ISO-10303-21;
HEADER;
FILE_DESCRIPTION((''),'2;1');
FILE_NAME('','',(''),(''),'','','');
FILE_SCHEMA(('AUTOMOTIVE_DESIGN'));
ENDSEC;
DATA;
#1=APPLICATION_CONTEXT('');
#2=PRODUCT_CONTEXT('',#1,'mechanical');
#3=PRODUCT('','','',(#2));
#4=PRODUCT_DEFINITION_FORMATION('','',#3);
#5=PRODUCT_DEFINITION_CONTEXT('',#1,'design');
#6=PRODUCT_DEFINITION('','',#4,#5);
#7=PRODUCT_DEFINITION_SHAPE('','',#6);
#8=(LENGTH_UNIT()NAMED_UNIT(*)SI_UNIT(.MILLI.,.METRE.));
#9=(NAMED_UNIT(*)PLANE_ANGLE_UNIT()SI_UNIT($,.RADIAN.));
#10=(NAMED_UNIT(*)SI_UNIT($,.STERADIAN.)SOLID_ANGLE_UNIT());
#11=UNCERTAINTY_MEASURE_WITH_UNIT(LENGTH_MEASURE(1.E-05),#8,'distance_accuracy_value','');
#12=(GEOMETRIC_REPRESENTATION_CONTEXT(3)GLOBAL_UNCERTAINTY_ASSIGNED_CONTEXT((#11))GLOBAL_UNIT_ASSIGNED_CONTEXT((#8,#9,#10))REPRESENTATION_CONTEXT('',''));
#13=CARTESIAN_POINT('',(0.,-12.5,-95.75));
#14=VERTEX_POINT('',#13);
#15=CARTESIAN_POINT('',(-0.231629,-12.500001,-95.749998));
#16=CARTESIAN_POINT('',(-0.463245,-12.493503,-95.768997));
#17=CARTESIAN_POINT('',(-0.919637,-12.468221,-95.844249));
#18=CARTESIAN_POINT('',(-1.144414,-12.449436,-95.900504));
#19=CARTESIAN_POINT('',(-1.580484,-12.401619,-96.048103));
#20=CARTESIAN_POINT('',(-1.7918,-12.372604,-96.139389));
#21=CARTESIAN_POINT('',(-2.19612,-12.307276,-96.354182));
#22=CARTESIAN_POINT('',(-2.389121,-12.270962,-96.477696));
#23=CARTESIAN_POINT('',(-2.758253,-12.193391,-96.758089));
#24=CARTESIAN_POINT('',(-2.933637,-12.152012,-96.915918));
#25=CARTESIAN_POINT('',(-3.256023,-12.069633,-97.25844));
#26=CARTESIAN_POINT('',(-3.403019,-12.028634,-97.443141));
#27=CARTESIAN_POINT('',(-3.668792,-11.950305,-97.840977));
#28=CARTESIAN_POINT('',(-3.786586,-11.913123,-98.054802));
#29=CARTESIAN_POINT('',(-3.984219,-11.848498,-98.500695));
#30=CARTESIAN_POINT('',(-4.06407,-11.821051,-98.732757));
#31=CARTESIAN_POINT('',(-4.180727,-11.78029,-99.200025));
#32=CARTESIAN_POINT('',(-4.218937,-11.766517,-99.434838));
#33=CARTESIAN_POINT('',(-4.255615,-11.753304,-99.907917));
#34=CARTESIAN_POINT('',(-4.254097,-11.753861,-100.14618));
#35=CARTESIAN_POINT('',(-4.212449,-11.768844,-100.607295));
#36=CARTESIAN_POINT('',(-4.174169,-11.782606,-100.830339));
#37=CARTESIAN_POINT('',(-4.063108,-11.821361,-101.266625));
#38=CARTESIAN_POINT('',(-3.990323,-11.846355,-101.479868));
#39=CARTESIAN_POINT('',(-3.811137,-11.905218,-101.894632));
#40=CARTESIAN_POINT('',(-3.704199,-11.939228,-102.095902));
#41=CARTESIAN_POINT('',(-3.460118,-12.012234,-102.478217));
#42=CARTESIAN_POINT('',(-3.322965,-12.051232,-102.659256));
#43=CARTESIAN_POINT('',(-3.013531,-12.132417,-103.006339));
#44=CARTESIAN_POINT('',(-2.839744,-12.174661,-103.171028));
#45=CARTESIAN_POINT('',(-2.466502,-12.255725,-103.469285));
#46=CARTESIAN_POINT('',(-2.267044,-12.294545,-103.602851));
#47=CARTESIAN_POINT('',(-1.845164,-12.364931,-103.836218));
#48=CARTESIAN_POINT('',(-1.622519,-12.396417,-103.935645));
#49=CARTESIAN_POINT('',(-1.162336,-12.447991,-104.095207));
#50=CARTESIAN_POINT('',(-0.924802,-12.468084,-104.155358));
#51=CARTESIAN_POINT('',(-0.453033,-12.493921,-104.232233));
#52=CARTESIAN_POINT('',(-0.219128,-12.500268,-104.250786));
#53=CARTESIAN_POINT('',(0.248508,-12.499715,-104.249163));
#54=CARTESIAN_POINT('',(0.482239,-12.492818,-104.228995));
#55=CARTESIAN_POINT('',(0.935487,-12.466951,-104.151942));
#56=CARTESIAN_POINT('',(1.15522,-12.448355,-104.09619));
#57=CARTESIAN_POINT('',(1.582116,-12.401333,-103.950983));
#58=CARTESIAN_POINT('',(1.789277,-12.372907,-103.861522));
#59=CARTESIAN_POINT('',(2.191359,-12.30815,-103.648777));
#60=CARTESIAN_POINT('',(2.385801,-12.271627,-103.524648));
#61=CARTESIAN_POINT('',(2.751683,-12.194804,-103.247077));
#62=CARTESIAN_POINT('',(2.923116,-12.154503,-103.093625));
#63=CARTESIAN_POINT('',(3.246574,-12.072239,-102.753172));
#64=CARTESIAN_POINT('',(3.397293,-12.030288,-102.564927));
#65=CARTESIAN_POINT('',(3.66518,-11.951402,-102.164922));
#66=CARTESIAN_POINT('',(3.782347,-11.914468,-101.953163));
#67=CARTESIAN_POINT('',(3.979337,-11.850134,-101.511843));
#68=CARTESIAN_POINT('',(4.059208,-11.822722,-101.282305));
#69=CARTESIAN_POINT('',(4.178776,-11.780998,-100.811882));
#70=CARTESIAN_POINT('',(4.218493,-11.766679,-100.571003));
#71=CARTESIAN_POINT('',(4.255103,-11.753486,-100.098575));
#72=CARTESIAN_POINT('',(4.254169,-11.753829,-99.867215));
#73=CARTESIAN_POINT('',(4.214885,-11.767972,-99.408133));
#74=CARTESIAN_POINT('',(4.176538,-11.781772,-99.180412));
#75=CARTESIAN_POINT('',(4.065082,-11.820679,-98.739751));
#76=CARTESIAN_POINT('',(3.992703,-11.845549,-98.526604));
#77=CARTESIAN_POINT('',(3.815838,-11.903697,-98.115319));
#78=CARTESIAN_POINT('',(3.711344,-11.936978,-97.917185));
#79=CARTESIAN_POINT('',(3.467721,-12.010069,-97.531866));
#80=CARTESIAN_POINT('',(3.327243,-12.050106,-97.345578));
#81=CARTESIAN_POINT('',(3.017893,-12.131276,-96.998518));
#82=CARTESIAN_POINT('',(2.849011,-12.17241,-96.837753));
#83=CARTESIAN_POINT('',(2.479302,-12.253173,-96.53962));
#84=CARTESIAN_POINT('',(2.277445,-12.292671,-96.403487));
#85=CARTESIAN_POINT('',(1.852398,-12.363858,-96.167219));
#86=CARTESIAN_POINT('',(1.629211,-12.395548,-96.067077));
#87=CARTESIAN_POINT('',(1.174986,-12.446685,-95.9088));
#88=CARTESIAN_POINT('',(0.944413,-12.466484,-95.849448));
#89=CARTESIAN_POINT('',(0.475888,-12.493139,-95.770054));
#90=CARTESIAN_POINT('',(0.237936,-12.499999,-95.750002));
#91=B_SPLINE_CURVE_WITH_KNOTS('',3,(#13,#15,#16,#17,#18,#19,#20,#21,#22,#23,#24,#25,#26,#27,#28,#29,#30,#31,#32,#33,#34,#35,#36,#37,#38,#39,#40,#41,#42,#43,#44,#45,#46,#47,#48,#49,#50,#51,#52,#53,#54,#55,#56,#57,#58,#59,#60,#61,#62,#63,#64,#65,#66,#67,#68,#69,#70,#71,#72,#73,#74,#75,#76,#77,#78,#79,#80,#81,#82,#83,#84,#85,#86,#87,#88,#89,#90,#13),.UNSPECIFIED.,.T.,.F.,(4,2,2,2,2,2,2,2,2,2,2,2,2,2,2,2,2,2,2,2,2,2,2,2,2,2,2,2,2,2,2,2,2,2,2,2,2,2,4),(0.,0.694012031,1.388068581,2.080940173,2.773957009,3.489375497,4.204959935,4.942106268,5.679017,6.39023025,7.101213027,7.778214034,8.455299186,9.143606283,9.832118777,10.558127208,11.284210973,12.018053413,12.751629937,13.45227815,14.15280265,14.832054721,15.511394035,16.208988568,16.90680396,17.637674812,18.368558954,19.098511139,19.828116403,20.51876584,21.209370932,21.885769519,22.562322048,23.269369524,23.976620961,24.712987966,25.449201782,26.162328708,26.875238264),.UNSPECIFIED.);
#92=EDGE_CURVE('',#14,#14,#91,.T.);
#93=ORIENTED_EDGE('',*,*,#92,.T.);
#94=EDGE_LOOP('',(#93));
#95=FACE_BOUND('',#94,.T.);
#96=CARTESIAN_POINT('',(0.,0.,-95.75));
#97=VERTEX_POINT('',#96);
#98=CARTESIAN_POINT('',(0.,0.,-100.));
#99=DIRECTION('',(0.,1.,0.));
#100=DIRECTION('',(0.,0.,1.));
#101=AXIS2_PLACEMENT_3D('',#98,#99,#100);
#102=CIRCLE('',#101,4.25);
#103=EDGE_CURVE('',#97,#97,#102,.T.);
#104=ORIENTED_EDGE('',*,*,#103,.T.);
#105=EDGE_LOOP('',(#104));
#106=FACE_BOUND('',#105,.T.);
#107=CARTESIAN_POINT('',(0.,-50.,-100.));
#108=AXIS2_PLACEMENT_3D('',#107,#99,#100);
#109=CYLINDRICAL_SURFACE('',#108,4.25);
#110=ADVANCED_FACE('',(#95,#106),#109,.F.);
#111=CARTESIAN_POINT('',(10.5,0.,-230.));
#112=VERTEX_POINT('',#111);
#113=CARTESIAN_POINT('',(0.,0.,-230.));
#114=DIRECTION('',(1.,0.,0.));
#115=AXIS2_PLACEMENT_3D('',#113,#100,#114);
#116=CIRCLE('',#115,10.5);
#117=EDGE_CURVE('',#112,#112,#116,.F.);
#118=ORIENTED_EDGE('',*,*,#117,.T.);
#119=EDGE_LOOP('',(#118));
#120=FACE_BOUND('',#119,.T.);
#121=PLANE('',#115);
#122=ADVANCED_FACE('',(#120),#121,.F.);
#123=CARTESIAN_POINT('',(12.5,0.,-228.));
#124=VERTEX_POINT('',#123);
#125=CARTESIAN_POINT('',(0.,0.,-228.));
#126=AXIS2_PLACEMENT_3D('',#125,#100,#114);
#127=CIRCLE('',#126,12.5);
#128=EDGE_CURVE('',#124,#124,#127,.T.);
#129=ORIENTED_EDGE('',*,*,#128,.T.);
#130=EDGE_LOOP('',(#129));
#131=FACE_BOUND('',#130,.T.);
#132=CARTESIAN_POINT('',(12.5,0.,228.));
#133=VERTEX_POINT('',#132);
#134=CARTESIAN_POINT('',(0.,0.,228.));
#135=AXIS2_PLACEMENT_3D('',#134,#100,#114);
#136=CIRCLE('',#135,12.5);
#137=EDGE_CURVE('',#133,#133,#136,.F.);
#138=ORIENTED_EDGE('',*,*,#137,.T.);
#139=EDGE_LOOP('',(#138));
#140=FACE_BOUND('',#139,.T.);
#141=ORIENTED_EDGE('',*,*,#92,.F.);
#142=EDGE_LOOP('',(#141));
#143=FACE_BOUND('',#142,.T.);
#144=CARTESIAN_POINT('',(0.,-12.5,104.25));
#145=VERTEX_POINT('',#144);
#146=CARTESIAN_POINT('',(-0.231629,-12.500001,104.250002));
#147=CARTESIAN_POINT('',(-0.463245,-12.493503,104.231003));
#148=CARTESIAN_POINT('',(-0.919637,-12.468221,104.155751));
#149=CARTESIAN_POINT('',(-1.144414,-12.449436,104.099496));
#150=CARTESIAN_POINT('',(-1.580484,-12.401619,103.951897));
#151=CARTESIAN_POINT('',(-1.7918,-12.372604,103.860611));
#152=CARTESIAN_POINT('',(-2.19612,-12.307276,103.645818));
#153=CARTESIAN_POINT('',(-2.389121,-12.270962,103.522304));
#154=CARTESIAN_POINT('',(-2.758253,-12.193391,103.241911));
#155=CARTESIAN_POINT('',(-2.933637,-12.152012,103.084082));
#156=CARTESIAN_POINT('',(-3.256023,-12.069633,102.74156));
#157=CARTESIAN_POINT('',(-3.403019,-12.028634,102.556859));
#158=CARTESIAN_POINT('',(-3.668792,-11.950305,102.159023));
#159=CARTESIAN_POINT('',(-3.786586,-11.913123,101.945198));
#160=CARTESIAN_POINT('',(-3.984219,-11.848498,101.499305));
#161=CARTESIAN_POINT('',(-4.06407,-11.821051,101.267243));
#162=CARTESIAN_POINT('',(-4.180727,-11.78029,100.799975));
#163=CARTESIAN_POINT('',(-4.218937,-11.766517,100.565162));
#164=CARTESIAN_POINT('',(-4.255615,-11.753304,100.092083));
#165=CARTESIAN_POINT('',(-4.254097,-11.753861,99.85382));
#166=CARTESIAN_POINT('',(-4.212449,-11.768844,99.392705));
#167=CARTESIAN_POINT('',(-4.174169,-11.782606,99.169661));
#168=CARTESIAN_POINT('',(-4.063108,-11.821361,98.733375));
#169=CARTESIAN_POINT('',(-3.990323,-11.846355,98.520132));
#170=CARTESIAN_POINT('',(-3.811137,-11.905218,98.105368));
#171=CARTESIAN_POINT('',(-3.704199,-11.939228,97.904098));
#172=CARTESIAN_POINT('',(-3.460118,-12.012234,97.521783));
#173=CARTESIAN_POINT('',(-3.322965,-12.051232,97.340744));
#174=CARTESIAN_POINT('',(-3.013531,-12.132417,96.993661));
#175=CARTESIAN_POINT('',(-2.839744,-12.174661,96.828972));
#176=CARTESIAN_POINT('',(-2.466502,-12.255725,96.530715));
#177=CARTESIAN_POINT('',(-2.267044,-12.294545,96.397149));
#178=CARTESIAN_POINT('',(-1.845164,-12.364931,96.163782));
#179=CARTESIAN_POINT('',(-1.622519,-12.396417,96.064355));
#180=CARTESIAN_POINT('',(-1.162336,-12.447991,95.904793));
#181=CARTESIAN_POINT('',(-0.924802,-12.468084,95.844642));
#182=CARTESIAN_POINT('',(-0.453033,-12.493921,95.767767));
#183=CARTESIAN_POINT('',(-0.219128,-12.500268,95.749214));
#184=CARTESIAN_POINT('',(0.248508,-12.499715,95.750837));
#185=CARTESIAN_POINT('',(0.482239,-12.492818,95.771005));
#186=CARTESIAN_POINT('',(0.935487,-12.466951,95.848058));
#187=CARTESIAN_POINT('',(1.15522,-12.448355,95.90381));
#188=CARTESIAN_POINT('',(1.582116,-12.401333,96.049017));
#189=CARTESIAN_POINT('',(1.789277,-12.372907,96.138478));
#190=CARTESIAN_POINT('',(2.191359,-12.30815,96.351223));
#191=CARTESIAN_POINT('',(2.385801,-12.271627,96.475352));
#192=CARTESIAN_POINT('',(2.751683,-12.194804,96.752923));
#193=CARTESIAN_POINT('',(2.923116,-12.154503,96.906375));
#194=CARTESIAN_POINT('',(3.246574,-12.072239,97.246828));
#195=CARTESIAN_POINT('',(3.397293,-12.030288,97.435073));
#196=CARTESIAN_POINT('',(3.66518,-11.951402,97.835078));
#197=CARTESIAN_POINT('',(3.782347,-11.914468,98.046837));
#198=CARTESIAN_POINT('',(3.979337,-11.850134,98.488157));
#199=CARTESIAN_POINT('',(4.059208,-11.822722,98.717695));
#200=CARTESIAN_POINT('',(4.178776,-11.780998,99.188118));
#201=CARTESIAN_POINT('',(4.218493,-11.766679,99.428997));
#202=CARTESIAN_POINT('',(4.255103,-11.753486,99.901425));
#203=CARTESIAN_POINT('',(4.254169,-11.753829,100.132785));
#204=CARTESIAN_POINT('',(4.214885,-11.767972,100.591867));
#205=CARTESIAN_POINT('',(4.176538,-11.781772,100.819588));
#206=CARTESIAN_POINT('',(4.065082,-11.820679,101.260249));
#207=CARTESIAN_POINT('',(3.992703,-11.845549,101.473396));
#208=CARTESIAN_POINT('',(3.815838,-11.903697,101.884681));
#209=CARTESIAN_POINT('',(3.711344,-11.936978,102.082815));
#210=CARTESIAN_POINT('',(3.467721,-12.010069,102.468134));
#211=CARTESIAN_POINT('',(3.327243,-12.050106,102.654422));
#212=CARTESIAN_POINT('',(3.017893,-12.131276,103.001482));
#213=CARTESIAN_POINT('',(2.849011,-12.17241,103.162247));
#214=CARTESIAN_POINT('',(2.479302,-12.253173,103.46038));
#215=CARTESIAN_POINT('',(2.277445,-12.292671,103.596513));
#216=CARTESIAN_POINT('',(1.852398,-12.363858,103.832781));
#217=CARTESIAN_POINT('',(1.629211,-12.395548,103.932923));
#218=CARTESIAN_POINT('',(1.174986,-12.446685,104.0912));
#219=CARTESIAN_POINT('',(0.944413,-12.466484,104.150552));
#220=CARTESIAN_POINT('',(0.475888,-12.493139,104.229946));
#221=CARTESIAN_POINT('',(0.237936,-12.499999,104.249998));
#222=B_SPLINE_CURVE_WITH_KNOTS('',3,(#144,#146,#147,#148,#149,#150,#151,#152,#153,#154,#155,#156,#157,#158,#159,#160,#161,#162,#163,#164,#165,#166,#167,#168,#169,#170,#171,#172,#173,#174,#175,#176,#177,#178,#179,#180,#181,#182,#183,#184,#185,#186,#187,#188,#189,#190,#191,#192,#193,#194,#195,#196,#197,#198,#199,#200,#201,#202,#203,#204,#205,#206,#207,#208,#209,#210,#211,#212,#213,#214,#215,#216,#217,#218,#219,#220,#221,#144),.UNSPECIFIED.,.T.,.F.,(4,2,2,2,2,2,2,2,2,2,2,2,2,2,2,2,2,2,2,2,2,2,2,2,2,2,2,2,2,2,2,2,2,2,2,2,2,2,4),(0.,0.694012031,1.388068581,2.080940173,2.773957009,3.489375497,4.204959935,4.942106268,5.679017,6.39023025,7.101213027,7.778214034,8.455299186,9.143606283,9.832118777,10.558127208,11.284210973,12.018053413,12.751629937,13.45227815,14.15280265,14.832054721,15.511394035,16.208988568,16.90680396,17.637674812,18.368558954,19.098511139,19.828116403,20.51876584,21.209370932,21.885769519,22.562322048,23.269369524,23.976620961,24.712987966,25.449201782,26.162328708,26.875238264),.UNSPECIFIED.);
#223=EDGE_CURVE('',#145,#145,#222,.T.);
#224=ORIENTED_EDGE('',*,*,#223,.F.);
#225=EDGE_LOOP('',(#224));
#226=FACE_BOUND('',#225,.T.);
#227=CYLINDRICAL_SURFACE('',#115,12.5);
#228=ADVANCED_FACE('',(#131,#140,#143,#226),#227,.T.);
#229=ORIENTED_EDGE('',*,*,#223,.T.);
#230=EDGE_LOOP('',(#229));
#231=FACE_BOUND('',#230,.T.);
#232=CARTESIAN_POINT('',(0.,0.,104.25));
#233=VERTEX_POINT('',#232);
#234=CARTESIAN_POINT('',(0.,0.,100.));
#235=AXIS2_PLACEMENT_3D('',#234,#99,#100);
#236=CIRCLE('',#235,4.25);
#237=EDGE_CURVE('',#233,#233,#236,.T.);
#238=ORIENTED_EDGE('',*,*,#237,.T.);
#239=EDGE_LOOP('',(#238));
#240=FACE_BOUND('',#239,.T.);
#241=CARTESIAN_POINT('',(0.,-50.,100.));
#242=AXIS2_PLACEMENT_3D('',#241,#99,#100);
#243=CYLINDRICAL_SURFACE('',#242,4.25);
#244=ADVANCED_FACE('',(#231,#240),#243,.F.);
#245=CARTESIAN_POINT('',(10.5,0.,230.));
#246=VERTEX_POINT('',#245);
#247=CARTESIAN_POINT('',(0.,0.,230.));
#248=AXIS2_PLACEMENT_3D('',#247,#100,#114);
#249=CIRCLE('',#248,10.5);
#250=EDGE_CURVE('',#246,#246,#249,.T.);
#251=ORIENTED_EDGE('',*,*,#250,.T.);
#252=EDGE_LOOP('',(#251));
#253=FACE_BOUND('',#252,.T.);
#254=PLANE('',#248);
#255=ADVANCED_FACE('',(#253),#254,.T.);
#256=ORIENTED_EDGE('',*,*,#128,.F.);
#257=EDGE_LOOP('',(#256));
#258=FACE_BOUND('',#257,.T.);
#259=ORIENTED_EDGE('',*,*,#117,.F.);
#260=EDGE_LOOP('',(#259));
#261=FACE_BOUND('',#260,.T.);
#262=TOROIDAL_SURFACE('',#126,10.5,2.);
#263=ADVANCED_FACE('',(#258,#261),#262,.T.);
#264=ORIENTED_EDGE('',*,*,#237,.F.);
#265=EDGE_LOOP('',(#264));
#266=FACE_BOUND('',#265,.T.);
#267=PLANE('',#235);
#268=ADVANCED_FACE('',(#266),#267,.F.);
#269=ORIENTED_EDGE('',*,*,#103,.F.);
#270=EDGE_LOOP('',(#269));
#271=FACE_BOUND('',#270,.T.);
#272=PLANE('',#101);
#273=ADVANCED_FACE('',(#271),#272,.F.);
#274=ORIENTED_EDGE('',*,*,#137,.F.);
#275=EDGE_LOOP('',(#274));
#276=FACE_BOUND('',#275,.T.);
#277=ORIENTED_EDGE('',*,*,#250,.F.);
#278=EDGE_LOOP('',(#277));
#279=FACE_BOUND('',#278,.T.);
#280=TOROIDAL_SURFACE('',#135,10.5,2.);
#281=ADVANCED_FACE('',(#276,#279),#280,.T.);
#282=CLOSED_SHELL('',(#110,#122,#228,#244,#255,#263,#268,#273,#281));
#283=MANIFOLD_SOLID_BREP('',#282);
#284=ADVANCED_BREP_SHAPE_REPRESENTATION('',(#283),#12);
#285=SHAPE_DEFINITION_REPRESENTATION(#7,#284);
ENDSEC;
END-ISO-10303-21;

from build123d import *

# Parameters (mm, degrees)
Y_KSEKLIK_EKSTR_ZYON1_DEPTH      = 230
Y_KSEKLIK_EKSTR_ZYON1_DEPTH_BACK = 230
IZIM1_R                          = 12.5
IZIM2_R                          = 4.25
KES_EKSTR_ZYON1_DEPTH            = 50
RADYUS1_R                        = 2


with BuildPart() as part:
    # Çizim1 → Yükseklik-Ekstrüzyon1 (new, two sides: drawn at the far end of the back side and taken through both)
    with BuildSketch(Plane.XY.offset(-Y_KSEKLIK_EKSTR_ZYON1_DEPTH_BACK)):
        Circle(IZIM1_R)
    extrude(amount=Y_KSEKLIK_EKSTR_ZYON1_DEPTH + Y_KSEKLIK_EKSTR_ZYON1_DEPTH_BACK)

    # Çizim2 → Kes-Ekstrüzyon1 (cut)
    with BuildSketch(Plane(origin=(0, 0, 0), x_dir=(1, 0, 0), z_dir=(0, 1, 0))):
        with Locations((0, 100)):
            Circle(IZIM2_R)
        with Locations((0, -100)):
            Circle(IZIM2_R)
    extrude(amount=-KES_EKSTR_ZYON1_DEPTH, mode=Mode.SUBTRACT)

    # Radyus1
    radyus1_edges = [part.edges().sort_by_distance(p)[0] for p in [
        (-12.5, 0, 230),
        (-12.5, 0, -230),
    ]]
    fillet(radyus1_edges, radius=RADYUS1_R)


solid = part.part
